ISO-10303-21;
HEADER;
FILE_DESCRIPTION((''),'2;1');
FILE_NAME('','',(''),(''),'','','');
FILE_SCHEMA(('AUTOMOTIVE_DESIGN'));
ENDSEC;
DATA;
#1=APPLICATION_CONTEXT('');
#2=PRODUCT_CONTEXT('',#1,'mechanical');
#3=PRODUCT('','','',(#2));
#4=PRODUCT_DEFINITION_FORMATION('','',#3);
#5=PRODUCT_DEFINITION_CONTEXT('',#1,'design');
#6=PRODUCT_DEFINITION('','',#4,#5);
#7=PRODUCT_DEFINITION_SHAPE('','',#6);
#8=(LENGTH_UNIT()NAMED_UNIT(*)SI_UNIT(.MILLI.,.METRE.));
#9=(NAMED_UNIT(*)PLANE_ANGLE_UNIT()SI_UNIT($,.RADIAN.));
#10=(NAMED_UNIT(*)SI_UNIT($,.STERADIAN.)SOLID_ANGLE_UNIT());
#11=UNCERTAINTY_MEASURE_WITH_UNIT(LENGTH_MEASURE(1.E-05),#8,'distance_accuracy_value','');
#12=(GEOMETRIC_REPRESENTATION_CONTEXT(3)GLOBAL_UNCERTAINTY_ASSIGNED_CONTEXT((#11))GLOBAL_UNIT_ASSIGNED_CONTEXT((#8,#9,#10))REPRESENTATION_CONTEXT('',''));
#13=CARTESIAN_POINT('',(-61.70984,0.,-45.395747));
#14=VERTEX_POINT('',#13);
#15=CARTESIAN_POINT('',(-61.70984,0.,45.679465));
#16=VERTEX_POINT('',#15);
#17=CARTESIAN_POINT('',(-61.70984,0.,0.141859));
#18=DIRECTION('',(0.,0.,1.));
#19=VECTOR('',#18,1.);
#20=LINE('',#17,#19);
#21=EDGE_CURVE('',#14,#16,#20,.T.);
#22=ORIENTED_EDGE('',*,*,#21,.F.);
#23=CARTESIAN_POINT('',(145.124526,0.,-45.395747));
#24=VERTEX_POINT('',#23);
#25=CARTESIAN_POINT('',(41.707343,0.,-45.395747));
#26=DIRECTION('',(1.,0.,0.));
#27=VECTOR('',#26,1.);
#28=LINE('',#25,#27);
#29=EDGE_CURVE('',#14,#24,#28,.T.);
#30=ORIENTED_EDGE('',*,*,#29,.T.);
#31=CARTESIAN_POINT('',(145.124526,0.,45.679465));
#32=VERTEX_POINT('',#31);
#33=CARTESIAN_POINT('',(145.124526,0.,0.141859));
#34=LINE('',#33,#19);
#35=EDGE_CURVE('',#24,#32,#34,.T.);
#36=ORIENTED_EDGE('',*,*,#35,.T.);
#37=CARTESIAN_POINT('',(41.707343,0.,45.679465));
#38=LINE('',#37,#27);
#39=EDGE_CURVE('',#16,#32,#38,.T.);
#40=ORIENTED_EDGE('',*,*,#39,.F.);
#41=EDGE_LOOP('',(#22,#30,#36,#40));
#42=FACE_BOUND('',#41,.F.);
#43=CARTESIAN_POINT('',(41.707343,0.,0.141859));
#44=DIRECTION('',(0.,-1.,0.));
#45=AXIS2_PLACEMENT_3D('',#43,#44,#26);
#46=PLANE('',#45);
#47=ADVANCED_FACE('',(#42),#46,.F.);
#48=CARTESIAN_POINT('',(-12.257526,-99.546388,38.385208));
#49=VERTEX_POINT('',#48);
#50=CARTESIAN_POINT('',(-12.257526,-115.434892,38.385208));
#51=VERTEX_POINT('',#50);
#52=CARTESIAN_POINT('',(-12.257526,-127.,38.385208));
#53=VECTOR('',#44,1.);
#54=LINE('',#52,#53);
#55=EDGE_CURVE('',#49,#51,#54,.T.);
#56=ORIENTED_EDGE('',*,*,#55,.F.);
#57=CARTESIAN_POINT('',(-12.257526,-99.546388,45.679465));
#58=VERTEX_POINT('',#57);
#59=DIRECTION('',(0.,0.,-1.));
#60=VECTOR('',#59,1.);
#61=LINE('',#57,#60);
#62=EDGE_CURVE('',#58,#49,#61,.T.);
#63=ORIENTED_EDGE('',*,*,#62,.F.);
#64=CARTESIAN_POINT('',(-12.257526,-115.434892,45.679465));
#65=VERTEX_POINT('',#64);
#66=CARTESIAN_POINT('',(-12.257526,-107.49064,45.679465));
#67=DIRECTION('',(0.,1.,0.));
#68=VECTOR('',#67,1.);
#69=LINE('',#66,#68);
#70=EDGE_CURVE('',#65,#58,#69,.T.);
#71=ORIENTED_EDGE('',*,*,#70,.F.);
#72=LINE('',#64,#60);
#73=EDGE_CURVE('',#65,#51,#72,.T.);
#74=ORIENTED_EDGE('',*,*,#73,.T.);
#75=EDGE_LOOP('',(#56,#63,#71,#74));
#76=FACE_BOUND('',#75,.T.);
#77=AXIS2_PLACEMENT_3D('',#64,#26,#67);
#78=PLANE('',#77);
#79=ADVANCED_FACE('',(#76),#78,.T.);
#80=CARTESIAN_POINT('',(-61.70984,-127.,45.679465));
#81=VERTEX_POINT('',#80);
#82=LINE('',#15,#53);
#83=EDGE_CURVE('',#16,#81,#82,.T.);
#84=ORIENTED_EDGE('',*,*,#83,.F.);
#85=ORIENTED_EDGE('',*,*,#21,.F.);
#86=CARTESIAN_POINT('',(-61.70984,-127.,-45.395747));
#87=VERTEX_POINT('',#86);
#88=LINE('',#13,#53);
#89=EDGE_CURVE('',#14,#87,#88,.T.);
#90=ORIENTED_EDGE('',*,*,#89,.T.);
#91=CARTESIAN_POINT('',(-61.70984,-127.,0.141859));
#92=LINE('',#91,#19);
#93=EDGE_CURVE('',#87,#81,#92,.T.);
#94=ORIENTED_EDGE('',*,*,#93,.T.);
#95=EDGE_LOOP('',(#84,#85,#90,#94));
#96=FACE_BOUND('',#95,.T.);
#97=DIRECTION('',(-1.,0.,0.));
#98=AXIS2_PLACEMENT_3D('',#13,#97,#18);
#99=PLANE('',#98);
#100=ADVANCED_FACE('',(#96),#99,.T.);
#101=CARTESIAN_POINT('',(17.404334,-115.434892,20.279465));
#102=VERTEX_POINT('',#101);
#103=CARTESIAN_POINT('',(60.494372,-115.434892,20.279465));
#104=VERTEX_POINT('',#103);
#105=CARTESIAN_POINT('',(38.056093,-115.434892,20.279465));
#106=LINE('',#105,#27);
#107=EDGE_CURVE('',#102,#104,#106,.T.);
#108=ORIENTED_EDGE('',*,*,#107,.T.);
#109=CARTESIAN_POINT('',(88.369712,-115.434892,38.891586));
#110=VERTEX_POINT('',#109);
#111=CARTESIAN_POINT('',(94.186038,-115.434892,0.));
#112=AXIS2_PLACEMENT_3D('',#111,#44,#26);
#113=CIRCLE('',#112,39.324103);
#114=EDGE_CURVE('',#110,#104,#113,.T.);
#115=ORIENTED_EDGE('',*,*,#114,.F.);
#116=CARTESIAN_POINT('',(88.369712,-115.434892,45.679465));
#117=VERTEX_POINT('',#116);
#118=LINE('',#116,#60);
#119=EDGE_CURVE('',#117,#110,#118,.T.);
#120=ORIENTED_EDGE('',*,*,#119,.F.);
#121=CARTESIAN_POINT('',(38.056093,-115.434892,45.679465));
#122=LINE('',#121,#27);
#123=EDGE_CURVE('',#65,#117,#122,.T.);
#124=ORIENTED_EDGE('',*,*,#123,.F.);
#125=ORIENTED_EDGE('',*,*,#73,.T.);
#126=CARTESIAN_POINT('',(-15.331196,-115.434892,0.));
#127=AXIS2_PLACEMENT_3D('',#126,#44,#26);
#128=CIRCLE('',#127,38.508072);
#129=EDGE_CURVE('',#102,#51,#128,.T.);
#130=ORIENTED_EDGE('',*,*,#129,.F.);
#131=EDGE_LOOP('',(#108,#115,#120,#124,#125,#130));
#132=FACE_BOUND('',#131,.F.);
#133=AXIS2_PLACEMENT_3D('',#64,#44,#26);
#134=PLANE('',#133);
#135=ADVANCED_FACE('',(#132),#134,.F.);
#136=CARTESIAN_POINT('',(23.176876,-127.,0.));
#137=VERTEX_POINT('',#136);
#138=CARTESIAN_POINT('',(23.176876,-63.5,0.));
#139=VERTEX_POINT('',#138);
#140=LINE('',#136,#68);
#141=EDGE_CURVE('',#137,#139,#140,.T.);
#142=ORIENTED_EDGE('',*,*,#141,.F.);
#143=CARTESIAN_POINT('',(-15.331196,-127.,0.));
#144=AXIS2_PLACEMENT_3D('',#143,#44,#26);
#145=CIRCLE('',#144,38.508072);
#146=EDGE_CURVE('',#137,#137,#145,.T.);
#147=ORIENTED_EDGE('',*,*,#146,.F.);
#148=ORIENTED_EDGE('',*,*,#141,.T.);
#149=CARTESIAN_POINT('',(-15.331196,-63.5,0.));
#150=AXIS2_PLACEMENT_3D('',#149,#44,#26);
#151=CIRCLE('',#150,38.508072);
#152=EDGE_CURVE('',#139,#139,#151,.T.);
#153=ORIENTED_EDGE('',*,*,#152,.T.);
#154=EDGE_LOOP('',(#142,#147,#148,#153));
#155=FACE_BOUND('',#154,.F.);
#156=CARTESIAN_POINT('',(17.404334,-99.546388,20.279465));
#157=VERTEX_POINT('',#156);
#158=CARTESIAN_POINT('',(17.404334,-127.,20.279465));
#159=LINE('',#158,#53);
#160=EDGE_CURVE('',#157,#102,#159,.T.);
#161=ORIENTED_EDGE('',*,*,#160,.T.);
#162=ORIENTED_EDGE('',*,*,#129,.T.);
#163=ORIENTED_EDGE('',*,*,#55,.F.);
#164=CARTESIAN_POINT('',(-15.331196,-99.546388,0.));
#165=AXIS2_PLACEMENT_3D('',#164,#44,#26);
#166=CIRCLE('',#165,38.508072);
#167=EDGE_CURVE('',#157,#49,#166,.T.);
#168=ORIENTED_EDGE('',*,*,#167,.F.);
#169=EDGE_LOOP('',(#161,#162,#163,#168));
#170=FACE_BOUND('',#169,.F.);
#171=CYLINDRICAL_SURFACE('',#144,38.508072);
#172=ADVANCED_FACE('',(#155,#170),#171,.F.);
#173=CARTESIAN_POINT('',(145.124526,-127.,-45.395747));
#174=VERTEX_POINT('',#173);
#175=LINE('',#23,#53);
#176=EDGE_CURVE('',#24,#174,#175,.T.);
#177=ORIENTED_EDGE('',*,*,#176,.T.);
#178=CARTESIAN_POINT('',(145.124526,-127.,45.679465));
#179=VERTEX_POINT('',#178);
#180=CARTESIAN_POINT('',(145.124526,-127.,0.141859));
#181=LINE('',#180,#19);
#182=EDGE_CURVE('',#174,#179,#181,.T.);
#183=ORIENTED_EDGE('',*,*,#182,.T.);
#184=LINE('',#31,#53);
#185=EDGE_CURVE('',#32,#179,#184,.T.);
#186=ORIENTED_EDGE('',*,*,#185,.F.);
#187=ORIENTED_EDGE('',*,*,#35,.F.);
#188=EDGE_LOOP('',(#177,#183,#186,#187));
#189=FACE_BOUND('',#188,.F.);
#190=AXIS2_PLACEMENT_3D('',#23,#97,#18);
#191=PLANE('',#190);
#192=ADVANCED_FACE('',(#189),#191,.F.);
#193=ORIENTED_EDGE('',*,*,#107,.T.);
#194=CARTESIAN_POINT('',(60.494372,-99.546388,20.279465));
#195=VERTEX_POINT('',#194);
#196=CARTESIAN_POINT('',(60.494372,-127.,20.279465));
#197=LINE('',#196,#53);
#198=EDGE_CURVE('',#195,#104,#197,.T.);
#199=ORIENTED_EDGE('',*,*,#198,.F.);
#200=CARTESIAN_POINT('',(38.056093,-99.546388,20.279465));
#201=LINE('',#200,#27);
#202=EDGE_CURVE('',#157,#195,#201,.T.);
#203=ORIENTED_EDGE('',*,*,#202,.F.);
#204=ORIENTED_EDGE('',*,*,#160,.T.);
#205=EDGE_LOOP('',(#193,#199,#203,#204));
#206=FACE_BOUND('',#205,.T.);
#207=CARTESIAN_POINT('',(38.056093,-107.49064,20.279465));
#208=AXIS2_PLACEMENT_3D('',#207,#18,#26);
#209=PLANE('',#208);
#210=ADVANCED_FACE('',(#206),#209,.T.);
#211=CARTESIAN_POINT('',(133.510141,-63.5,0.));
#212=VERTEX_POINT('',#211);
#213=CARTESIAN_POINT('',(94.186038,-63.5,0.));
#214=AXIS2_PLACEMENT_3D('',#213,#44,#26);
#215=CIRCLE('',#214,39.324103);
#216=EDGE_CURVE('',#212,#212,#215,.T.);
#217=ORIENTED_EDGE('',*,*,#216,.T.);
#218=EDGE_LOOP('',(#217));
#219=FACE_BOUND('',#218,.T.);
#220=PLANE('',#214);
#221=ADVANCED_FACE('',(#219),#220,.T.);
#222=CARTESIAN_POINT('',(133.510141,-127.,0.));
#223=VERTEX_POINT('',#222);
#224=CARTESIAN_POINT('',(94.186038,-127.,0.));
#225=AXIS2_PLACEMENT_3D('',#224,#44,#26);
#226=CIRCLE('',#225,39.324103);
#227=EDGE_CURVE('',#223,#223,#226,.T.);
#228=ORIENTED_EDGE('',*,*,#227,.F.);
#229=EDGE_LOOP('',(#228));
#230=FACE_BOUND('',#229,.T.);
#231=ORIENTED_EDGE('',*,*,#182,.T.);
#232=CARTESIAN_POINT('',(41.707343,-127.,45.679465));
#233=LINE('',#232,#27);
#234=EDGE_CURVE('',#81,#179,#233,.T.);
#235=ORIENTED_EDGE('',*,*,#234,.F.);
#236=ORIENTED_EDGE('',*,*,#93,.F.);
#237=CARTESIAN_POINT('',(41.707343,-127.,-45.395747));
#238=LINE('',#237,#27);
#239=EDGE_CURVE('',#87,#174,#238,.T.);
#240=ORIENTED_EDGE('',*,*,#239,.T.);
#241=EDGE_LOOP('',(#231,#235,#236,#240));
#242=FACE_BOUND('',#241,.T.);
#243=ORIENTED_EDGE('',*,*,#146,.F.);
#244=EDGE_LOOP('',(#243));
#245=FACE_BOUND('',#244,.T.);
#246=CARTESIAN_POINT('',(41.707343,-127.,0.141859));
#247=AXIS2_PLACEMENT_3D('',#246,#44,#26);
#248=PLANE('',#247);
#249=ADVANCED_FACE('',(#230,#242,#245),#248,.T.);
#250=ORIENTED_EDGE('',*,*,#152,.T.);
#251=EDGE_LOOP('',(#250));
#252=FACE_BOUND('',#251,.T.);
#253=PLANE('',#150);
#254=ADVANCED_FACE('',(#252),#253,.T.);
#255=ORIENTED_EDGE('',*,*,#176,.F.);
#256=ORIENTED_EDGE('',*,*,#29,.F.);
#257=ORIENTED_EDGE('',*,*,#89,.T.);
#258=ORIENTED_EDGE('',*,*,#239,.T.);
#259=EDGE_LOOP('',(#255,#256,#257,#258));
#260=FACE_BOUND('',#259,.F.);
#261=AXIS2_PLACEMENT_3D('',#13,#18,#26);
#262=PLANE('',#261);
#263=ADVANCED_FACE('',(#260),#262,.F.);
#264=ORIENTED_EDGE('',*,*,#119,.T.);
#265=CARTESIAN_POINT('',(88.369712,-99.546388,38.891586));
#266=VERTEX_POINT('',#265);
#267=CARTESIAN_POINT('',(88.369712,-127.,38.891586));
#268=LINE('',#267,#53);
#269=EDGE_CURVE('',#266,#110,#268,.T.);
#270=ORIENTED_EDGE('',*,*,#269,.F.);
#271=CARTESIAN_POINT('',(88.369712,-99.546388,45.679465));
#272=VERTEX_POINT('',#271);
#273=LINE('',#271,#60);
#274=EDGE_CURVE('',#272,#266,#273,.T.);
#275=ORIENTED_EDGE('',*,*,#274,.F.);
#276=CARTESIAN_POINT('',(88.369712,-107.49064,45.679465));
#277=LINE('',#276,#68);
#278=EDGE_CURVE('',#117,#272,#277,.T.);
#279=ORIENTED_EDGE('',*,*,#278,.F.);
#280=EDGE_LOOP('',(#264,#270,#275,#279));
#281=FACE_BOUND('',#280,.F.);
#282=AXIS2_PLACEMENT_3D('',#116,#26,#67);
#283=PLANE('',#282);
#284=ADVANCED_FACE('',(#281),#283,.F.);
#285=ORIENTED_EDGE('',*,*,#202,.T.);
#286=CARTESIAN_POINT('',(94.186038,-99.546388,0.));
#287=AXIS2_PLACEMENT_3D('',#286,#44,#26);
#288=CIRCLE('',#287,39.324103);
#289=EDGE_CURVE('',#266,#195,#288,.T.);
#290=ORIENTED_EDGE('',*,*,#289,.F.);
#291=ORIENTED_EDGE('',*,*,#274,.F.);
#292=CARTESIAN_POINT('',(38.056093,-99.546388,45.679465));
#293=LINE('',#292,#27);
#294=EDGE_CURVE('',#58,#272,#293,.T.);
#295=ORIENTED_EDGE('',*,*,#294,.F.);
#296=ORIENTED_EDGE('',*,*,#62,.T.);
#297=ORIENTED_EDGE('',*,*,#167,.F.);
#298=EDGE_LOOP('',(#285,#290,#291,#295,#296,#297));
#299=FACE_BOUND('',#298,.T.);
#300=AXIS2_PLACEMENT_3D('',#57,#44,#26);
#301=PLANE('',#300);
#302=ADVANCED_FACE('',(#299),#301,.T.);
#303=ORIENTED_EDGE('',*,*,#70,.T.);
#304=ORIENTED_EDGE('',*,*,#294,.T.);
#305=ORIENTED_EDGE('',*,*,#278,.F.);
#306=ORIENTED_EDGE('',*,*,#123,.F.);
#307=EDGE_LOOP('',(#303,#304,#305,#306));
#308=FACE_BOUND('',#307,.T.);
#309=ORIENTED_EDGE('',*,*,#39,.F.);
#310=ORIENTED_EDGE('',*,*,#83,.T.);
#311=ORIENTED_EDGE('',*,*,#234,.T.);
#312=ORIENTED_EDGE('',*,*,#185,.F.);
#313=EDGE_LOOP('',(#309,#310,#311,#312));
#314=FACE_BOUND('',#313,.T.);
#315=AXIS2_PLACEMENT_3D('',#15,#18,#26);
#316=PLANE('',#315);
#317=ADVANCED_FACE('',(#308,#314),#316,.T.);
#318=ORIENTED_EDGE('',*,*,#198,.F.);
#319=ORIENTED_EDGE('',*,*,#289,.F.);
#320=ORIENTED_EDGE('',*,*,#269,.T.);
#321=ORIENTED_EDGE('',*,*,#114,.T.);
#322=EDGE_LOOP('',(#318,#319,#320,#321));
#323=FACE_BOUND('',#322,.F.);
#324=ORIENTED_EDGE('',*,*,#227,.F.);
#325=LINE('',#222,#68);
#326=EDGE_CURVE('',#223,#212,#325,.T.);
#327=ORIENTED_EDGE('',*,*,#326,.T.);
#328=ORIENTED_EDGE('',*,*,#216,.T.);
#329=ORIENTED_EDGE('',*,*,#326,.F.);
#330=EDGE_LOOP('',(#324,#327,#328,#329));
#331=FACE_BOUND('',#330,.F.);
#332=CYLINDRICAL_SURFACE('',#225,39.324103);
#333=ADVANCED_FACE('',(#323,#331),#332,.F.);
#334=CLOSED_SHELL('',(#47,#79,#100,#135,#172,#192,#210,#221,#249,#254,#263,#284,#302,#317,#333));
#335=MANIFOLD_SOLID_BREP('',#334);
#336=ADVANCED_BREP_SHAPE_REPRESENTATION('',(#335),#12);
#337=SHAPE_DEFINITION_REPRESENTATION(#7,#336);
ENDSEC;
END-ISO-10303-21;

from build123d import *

# Parameters (mm, degrees)
F0_W     = 206.834365
F0_H     = 91.075212
F1_DEPTH = 127
F2_DEPTH = 127
F3_R     = 38.508072
F3_R_2   = 39.324103
F4_DEPTH = 63.5
F5_W     = 100.627238
F5_H     = 15.888504
F6_DEPTH = 25.4


with BuildPart() as f1:
    # F0 (on Front) → F1 (new body)
    with BuildSketch(Plane.XZ):
        with Locations((41.707343, 0.141859)):
            Rectangle(F0_W, F0_H)
    extrude(amount=F1_DEPTH)

    # F0 (on Front) → F2 (join)
    with BuildSketch(Plane.XZ):
        with Locations((41.707343, 0.141859)):
            Rectangle(F0_W, F0_H)
    extrude(amount=F2_DEPTH)

    # F3 (on face) → F4 (cut)
    with BuildSketch(Plane.XZ.offset(127)):
        with Locations((-15.331196, 0)):
            Circle(F3_R)
        with Locations((94.186038, 0)):
            Circle(F3_R_2)
    extrude(amount=-F4_DEPTH, mode=Mode.SUBTRACT)

    # F5 (on face) → F6 (cut)
    with BuildSketch(Plane.XY.offset(45.679465)):
        with Locations((38.056093, -107.49064)):
            Rectangle(F5_W, F5_H)
    extrude(amount=-F6_DEPTH, mode=Mode.SUBTRACT)


solid = f1.part
